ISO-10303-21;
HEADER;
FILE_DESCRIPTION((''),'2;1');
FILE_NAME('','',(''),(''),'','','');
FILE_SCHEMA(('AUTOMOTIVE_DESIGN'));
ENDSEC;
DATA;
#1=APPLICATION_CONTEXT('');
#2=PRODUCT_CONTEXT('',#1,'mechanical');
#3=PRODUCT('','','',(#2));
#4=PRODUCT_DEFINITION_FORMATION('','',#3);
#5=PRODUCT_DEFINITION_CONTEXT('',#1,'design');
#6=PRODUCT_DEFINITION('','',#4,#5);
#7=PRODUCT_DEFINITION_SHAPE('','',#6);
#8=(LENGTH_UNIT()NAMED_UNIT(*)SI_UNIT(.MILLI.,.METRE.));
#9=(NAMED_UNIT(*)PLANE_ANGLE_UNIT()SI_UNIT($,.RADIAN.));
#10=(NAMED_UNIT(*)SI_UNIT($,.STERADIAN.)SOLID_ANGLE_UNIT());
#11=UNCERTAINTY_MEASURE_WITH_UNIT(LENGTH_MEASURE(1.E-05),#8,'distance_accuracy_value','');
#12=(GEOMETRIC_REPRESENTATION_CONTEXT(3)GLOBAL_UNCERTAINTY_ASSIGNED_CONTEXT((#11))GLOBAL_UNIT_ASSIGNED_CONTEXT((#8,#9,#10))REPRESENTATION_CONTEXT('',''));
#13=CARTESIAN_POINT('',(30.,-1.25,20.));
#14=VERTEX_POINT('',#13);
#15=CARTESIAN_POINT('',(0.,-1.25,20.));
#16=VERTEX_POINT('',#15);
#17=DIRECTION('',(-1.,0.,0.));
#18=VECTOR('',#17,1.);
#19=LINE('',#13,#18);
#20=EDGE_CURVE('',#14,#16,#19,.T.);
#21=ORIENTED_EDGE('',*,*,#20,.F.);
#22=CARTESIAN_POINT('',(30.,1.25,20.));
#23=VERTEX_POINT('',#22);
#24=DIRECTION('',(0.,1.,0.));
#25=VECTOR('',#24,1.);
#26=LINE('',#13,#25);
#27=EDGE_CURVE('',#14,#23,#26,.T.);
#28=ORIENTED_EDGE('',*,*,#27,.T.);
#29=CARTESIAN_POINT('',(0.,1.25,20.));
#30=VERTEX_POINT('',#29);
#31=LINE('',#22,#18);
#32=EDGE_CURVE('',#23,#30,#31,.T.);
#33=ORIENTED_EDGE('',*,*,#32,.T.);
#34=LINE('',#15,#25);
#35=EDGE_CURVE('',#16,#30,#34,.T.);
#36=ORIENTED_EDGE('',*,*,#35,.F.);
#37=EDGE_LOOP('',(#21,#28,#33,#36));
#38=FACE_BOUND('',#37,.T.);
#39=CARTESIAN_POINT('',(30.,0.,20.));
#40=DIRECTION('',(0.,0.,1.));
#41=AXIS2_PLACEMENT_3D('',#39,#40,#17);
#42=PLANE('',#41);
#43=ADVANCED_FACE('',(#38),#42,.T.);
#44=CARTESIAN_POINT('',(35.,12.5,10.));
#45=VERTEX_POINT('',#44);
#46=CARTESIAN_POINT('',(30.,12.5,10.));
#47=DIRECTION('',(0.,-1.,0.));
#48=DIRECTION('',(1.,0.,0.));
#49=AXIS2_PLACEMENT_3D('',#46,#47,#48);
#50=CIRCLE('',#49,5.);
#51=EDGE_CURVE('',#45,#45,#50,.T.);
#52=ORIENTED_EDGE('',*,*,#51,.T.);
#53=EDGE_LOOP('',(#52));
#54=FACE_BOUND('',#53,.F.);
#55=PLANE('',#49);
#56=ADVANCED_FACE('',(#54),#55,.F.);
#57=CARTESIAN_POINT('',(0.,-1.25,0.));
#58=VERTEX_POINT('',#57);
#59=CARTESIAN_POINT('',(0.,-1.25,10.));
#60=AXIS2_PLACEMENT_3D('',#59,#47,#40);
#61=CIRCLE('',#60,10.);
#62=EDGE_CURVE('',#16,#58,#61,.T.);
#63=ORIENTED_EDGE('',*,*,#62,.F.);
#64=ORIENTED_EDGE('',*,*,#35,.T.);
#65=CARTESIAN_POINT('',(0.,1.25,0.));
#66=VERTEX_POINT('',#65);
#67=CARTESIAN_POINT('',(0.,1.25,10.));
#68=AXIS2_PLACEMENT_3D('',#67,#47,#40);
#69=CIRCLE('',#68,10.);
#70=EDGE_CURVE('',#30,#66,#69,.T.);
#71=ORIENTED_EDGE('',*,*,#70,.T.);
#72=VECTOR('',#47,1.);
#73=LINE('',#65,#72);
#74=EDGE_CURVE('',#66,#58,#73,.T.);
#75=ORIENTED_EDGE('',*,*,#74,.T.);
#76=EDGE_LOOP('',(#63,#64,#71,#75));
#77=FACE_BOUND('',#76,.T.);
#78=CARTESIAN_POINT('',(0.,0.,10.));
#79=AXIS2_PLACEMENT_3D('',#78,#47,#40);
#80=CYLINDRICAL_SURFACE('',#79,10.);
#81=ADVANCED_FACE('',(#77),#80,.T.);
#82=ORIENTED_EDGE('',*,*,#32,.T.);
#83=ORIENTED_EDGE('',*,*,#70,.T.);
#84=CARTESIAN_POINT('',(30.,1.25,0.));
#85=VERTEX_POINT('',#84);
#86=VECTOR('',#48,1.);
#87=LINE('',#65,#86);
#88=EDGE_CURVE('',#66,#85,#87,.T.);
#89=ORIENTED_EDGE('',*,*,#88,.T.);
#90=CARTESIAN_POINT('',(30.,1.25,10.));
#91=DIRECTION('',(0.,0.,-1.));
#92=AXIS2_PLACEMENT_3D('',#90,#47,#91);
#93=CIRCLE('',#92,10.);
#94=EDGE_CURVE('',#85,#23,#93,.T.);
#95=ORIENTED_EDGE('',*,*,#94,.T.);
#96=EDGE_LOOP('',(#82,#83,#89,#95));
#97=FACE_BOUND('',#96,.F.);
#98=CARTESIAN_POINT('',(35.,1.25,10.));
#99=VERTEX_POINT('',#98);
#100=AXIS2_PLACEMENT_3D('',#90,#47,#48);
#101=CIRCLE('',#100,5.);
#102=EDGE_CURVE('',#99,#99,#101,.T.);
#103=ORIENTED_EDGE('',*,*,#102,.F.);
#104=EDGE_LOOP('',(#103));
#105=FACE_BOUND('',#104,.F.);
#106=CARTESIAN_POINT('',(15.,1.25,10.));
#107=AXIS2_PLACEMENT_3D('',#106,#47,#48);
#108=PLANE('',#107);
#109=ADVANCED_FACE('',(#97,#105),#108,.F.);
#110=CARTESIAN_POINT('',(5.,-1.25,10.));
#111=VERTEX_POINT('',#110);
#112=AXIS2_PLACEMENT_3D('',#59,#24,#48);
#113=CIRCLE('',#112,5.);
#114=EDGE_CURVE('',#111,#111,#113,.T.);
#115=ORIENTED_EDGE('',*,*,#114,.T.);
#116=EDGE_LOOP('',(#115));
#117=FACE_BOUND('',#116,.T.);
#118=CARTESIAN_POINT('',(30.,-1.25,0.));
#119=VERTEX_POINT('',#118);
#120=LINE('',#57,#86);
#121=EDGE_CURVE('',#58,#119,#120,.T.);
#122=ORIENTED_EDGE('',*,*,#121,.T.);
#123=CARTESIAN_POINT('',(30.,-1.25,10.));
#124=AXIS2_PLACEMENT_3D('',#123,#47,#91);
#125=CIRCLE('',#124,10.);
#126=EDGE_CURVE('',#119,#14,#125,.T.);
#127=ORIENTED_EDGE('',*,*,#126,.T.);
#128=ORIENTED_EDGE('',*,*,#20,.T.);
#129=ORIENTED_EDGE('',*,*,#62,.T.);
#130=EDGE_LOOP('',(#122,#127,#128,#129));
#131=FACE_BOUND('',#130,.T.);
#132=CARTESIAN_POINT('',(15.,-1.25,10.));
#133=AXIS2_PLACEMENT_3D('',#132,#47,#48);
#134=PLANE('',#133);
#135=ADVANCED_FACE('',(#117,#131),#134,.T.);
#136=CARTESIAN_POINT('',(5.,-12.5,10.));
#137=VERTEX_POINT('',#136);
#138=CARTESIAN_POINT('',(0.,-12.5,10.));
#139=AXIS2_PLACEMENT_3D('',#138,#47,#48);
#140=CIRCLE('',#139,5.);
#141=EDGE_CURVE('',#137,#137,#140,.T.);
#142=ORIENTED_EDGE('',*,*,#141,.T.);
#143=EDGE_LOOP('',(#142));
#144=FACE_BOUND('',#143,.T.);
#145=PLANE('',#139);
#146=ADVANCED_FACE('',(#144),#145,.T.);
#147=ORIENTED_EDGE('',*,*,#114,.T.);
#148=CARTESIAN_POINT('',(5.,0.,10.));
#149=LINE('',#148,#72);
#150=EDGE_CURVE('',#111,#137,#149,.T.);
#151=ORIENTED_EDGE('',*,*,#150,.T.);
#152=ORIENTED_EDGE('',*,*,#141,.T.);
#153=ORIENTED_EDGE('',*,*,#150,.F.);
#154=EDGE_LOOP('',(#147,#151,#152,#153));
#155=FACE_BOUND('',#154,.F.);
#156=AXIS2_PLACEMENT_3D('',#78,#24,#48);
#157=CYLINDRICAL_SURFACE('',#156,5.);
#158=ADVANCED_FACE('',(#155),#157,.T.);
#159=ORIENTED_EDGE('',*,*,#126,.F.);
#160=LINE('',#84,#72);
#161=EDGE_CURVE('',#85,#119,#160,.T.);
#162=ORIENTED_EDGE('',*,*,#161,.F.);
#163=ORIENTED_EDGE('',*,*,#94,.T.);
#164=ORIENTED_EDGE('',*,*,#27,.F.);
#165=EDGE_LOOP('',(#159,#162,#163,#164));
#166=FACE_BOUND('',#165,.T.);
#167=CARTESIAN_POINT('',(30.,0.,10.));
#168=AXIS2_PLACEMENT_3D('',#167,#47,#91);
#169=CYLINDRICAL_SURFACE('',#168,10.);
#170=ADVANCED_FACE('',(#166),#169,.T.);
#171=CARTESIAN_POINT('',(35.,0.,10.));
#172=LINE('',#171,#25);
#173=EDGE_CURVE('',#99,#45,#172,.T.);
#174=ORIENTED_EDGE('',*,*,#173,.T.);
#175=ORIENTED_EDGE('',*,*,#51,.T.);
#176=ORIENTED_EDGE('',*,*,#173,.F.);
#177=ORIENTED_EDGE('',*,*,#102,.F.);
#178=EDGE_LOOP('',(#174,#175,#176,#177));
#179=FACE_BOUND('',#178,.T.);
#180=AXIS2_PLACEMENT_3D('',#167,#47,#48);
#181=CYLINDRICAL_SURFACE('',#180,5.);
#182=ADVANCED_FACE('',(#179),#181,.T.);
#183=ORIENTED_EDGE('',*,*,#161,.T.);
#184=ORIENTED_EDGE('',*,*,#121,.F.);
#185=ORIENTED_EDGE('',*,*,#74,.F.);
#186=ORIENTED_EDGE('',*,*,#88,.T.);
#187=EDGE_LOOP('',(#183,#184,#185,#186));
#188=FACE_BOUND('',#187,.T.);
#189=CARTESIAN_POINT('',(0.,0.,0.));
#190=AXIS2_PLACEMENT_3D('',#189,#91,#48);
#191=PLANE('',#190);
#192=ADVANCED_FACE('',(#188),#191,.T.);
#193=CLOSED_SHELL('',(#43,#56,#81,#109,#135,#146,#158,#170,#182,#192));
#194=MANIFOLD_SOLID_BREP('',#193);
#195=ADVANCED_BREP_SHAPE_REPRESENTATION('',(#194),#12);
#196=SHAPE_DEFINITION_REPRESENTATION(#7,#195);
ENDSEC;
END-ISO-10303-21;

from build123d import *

# Parameters (mm, degrees)
F0_R     = 5
F1_DEPTH = 1.25
F2_DEPTH = 12.5
F3_DEPTH = 12.5


with BuildPart() as f1:
    # F0 (on Front) → F1 (new body, symmetric)
    with BuildSketch(Plane.XZ):
        with BuildLine():
            ThreePointArc((0, 20), (-10, 10), (0, 0))
            Line((0, 0), (30, 0))
            ThreePointArc((30, 0), (40, 10), (30, 20))
            Line((30, 20), (0, 20))
        make_face()
        with Locations((0, 10)):
            Circle(F0_R, mode=Mode.SUBTRACT)
        with Locations((30, 10)):
            Circle(F0_R, mode=Mode.SUBTRACT)
        with Locations((30, 10)):
            Circle(F0_R)
        with Locations((0, 10)):
            Circle(F0_R)
    extrude(amount=F1_DEPTH, both=True)

    # F0 (on Front) → F2 (join)
    with BuildSketch(Plane.XZ):
        with Locations((0, 10)):
            Circle(F0_R)
    extrude(amount=F2_DEPTH)

    # F0 (on Front) → F3 (join)
    with BuildSketch(Plane.XZ):
        with Locations((30, 10)):
            Circle(F0_R)
    extrude(amount=-F3_DEPTH)


solid = f1.part
